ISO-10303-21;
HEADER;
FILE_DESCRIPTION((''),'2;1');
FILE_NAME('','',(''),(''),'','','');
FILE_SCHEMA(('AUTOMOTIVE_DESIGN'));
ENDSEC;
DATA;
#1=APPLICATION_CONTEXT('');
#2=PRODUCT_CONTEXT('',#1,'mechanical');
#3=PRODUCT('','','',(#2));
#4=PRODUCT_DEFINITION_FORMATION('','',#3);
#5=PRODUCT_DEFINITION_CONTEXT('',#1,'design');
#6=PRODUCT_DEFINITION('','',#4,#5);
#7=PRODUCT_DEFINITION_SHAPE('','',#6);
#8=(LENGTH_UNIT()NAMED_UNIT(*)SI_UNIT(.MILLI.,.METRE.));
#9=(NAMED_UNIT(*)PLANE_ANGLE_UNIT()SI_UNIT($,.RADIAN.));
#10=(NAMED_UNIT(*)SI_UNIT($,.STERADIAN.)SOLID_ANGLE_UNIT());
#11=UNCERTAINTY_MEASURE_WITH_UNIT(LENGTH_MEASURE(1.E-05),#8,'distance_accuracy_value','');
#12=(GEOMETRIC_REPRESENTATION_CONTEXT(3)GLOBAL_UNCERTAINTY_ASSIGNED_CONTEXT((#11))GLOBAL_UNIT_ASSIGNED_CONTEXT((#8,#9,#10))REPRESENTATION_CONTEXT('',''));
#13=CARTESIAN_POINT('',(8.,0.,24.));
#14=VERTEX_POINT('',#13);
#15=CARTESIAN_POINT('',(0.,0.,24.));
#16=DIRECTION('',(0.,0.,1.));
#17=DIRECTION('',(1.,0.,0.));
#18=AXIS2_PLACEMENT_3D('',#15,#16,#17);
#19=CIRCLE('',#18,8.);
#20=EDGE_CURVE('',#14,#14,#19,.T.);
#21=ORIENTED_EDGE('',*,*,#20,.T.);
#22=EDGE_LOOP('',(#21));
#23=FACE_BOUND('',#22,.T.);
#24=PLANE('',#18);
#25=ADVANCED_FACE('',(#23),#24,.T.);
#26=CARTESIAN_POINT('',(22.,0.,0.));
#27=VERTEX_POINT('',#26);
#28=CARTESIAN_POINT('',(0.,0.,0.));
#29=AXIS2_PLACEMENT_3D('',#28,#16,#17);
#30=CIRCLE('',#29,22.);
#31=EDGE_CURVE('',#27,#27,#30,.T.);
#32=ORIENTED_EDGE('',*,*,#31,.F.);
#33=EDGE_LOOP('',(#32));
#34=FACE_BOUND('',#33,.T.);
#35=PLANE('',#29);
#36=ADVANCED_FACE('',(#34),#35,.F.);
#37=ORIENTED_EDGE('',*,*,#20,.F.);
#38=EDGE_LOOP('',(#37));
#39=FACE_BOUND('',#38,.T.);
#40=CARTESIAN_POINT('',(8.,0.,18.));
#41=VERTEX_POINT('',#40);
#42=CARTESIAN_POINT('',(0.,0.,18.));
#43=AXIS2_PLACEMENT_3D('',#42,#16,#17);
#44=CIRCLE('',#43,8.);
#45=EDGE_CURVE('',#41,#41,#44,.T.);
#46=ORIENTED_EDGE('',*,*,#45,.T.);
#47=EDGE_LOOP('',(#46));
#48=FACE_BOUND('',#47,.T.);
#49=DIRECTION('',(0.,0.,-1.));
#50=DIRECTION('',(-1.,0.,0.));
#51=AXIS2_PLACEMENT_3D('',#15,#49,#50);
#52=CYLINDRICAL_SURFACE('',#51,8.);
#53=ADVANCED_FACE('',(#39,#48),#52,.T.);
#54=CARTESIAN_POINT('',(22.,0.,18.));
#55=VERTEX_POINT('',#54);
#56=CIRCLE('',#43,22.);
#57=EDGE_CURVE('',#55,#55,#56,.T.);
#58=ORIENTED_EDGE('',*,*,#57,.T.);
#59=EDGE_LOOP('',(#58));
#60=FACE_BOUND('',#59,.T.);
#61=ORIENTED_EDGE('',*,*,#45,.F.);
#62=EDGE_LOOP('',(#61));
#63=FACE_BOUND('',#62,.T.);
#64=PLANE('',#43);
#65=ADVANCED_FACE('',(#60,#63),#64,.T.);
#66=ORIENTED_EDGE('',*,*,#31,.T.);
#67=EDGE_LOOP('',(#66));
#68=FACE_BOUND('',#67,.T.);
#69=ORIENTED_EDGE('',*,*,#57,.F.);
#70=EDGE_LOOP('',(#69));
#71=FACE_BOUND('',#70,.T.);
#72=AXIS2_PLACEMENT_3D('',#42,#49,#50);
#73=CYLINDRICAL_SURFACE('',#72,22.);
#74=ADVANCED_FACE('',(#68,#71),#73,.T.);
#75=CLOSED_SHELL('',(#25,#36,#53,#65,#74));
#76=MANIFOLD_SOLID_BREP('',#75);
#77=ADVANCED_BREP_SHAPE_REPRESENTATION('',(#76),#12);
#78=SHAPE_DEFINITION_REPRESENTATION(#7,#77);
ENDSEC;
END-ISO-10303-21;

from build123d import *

# Parameters (mm, degrees)
SKETCH_1_R      = 8
EXTRUDE_1_DEPTH = 24
SKETCH_2_R      = 22
EXTRUDE_2_DEPTH = 18


with BuildPart() as part:
    # 草图1 → 凸台-拉伸1 (new body)
    with BuildSketch(Plane.XY):
        Circle(SKETCH_1_R)
    extrude(amount=EXTRUDE_1_DEPTH)

    # 草图2 → 凸台-拉伸2 (add)
    with BuildSketch(Plane.XY):
        Circle(SKETCH_2_R)
    extrude(amount=EXTRUDE_2_DEPTH)


solid = part.part
